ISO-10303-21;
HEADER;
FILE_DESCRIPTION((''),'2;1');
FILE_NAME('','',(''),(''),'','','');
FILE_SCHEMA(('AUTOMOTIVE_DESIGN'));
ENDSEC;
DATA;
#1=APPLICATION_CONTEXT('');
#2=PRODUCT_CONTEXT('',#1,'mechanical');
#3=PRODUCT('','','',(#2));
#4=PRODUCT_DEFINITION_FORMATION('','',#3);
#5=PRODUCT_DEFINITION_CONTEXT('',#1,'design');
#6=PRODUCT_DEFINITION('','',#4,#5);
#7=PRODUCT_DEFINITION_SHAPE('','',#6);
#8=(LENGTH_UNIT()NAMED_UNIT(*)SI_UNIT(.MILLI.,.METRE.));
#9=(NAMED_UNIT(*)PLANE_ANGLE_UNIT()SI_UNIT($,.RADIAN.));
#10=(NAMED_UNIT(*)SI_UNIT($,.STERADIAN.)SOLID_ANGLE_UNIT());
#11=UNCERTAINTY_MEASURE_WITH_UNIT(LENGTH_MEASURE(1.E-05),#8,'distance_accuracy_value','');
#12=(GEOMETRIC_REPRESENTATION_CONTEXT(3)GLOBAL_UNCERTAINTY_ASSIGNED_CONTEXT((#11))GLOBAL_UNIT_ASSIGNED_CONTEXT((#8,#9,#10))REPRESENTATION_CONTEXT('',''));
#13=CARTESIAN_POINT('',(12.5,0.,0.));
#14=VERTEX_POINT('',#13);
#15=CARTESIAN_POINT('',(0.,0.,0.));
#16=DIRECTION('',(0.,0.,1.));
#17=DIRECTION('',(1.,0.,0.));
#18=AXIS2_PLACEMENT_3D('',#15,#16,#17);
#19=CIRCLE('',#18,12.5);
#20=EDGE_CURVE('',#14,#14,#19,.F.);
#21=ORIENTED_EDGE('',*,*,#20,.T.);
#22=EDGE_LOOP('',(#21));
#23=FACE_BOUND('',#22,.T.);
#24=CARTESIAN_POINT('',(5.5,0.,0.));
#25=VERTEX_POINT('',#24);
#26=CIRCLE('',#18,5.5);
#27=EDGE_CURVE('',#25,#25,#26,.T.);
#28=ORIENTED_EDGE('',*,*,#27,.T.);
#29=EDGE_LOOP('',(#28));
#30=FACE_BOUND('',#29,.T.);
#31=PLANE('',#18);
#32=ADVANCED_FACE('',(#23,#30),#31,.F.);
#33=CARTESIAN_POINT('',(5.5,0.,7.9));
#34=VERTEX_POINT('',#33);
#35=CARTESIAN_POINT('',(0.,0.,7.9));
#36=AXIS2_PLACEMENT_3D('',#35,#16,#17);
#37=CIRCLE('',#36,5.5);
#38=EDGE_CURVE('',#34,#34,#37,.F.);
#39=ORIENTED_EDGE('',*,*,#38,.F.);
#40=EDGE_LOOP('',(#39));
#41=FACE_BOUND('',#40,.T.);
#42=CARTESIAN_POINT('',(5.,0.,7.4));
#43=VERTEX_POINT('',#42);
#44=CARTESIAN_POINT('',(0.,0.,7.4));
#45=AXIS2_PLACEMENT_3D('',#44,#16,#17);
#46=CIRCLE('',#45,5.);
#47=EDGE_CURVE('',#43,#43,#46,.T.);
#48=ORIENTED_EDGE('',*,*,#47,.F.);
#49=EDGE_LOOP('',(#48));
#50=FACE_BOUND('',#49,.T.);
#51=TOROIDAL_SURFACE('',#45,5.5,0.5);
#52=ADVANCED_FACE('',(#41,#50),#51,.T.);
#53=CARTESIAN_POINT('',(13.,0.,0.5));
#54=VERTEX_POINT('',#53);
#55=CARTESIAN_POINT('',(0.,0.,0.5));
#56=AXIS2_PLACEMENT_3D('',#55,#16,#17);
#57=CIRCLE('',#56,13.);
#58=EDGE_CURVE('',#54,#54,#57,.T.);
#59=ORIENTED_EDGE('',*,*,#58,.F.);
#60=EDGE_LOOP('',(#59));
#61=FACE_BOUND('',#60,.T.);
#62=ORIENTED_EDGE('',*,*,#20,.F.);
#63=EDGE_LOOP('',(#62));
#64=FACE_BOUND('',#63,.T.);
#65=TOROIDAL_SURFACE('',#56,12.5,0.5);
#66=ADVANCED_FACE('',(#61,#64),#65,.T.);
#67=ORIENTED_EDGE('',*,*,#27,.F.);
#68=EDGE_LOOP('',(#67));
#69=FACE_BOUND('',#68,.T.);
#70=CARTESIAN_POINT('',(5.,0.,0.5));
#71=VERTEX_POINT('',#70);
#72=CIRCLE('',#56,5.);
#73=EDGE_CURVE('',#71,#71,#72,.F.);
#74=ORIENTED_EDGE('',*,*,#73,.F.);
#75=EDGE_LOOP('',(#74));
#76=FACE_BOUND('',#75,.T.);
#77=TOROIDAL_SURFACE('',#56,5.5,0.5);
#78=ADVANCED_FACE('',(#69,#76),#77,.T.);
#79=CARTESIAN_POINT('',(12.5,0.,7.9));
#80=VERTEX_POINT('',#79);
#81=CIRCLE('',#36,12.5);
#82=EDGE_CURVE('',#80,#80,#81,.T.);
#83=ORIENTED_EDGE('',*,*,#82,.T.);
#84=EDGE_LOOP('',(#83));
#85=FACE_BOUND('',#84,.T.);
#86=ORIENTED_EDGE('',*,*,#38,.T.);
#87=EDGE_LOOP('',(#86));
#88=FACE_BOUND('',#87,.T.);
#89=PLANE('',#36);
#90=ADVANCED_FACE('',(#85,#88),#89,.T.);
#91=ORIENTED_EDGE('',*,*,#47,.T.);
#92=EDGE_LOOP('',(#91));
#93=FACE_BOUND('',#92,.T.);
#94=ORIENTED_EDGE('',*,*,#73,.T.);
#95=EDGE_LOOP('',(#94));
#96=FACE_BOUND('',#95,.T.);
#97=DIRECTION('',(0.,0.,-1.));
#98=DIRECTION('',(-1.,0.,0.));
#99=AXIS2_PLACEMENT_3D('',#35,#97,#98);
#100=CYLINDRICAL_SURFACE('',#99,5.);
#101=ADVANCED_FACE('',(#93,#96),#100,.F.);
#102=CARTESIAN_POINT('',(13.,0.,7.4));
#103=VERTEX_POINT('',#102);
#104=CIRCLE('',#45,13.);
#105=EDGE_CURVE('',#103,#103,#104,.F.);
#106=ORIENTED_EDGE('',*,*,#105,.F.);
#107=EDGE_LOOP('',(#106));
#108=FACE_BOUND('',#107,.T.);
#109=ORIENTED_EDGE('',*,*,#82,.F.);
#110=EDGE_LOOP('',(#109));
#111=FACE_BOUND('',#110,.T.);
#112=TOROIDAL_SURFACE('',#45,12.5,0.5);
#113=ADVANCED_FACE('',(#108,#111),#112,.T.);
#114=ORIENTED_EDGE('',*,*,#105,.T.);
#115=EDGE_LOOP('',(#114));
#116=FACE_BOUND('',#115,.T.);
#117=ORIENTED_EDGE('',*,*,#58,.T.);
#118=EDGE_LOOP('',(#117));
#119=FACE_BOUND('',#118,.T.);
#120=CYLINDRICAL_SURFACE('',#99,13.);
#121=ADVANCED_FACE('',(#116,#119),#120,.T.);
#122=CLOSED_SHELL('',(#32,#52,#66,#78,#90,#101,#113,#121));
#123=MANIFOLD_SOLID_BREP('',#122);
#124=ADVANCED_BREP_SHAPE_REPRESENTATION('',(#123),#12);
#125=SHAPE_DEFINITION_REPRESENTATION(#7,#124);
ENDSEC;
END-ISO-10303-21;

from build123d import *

# Parameters (mm, degrees)
SKETCH1_R           = 13
SKETCH1_R_2         = 5
BOSS_EXTRUDE1_DEPTH = 7.9
FILLET1_R           = 0.5


with BuildPart() as part:
    # Sketch1 → Boss-Extrude1 (new body)
    with BuildSketch(Plane.XY):
        Circle(SKETCH1_R)
        Circle(SKETCH1_R_2, mode=Mode.SUBTRACT)
    extrude(amount=BOSS_EXTRUDE1_DEPTH)

    # Fillet1
    fillet1_edges = [part.edges().sort_by_distance(p)[0] for p in [
        (-13, 0, 0),
        (-13, 0, 7.9),
        (-5, 0, 0),
        (-5, 0, 7.9),
    ]]
    fillet(fillet1_edges, radius=FILLET1_R)


solid = part.part
